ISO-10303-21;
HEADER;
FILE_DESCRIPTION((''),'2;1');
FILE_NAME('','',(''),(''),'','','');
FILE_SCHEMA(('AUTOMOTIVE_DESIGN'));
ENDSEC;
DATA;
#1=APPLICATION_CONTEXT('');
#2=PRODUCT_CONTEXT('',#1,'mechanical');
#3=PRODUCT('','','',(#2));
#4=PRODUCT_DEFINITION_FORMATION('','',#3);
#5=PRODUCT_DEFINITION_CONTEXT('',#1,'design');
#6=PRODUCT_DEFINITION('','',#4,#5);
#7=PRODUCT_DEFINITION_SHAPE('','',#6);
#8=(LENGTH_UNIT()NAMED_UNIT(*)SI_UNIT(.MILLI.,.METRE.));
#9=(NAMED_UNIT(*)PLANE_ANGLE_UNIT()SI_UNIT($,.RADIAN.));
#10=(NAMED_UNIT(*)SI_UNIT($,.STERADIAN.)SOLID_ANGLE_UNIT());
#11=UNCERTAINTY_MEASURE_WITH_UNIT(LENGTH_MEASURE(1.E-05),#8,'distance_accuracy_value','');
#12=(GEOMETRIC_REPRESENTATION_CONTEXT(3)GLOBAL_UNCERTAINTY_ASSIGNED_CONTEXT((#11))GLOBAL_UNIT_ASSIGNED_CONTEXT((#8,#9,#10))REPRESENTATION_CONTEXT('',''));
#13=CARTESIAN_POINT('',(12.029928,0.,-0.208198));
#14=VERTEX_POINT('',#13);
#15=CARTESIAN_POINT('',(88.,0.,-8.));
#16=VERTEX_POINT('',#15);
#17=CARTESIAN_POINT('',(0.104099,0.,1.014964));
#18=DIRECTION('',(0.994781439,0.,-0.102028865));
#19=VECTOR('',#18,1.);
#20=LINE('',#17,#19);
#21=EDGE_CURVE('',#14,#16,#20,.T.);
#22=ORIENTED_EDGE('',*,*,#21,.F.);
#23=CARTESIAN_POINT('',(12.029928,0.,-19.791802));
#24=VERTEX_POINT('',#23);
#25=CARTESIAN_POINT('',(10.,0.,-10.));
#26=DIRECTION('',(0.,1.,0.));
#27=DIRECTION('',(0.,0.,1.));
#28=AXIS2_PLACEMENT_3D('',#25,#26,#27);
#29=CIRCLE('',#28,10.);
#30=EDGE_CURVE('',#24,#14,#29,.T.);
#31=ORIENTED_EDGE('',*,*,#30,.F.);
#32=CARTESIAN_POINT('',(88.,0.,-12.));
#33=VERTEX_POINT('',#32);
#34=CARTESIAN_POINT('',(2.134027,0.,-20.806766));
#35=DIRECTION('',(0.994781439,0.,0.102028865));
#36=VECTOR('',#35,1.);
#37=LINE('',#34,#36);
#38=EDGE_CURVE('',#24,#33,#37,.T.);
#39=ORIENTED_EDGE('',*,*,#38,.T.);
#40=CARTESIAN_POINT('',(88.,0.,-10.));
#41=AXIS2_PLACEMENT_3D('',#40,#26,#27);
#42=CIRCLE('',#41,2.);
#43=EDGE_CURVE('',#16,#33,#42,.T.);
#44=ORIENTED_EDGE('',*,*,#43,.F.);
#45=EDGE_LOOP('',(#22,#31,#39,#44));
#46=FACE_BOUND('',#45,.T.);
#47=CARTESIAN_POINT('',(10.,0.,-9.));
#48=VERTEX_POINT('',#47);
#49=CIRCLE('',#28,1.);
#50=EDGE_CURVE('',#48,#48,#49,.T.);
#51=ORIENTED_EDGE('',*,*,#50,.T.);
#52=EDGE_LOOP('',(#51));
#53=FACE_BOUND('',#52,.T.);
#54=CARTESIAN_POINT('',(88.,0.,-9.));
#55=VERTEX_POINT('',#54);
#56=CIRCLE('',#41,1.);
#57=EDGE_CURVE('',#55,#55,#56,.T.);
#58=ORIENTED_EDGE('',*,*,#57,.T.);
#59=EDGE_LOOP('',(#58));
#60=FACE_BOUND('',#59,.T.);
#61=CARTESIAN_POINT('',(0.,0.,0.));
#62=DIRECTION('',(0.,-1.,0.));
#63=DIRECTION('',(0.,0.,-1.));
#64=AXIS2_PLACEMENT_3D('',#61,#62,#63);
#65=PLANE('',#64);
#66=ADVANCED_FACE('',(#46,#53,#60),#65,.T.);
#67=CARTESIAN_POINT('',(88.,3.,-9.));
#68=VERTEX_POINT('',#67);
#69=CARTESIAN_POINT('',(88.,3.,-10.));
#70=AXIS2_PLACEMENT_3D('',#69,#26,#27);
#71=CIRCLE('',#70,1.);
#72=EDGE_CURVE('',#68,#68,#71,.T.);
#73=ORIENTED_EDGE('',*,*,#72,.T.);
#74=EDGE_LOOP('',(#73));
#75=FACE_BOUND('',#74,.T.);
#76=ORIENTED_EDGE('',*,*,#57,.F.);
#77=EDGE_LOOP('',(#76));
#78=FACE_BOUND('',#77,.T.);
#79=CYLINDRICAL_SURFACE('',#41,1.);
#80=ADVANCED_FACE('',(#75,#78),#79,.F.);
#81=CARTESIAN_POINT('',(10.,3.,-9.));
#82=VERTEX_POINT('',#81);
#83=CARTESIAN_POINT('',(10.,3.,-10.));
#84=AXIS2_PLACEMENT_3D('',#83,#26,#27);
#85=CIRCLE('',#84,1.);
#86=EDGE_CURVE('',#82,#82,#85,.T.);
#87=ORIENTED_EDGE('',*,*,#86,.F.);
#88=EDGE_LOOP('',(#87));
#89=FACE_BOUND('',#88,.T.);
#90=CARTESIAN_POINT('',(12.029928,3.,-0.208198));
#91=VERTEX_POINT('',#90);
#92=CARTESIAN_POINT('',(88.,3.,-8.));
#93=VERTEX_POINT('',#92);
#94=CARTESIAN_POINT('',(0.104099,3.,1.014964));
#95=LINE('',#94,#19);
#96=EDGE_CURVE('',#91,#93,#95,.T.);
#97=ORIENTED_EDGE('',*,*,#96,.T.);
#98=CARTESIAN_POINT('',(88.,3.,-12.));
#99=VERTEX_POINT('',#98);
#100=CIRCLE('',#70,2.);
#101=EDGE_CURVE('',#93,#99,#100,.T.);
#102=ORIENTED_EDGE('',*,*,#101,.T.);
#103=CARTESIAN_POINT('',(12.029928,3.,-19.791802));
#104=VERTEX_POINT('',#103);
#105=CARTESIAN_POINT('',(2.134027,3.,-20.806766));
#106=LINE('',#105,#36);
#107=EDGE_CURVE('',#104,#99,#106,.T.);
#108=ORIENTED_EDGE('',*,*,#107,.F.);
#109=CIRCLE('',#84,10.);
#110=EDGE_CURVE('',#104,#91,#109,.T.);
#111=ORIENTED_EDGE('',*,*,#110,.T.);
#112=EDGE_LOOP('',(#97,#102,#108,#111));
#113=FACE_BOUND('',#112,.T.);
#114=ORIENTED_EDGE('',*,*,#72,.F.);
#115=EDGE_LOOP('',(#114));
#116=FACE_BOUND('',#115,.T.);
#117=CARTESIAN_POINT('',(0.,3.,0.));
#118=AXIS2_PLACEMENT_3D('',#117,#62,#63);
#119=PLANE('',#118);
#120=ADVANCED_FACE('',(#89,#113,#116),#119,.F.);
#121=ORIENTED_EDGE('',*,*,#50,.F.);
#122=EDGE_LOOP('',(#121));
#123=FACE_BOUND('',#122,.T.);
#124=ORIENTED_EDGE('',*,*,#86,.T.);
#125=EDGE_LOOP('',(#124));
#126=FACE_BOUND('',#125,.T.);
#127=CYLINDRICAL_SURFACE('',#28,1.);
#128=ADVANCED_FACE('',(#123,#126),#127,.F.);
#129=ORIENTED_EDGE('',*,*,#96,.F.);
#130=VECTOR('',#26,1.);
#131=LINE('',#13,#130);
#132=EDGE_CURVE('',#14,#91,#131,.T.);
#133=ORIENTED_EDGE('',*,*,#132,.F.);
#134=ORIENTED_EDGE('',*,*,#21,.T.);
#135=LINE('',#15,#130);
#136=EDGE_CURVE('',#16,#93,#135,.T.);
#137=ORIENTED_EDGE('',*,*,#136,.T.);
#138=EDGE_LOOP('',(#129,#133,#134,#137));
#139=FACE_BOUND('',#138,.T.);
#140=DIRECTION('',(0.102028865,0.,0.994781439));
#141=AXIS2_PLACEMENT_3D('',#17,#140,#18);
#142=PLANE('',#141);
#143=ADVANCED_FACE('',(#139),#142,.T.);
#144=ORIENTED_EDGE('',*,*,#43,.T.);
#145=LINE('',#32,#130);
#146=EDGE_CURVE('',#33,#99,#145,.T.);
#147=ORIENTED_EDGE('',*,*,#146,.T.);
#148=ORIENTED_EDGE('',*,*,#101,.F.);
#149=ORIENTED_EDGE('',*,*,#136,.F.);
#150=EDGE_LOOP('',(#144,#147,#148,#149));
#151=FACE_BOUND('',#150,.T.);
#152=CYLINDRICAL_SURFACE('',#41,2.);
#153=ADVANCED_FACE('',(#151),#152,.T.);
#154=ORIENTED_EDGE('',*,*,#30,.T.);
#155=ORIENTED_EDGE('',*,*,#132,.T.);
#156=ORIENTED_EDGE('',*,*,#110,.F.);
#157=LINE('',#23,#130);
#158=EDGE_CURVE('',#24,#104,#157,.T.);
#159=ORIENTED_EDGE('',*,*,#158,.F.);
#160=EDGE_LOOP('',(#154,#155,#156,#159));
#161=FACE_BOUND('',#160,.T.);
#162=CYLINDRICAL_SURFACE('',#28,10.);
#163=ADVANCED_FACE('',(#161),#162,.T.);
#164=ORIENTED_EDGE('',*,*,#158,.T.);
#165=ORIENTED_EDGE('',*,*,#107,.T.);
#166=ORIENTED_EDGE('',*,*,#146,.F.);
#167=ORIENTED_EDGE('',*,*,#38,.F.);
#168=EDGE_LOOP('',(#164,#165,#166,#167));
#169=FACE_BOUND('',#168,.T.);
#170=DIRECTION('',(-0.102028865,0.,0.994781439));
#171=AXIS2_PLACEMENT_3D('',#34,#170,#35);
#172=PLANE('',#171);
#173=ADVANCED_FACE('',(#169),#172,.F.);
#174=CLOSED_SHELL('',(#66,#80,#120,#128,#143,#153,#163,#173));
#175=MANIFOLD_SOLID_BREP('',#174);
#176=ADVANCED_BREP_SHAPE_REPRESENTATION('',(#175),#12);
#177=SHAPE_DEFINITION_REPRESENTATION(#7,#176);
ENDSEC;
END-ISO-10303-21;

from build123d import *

# Parameters (mm, degrees)
SKETCH1_W           = 90
SKETCH1_H           = 20
BOSS_EXTRUDE1_DEPTH = 3
CUT_EXTRUDE1_DEPTH  = 4
SKETCH3_R           = 1
CUT_EXTRUDE2_DEPTH  = 4


with BuildPart() as part:
    # Sketch1 → Boss-Extrude1 (new body)
    with BuildSketch(Plane(origin=(0, 0, 0), x_dir=(1, 0, 0), z_dir=(0, 1, 0))):
        with Locations((45, 10)):
            Rectangle(SKETCH1_W, SKETCH1_H)
    extrude(amount=BOSS_EXTRUDE1_DEPTH)

    # Sketch2 → Cut-Extrude1 (cut, through all)
    with BuildSketch(Plane(origin=(0, 3, 0), x_dir=(1, 0, 0), z_dir=(0, 1, 0))):
        with BuildLine():
            Line((90, 20), (10, 20))
            ThreePointArc((10, 20), (11.020288655, 19.947814386), (12.029928432, 19.791802212))
            Line((12.029928432, 19.791802212), (88, 12))
            ThreePointArc((88, 12), (89.414213562, 11.414213562), (90, 10))
            Line((90, 10), (90, 20))
        make_face()
        with BuildLine():
            Line((90, 0), (90, 10))
            ThreePointArc((90, 10), (89.414213562, 8.585786438), (88, 8))
            Line((88, 8), (12.029928432, 0.208197788))
            ThreePointArc((12.029928432, 0.208197788), (11.020288655, 0.052185614), (10, 0))
            Line((10, 0), (90, 0))
        make_face()
        with BuildLine():
            ThreePointArc((10, 0), (2.928932188, 2.928932188), (0, 10))
            Line((0, 10), (0, 0))
            Line((0, 0), (10, 0))
        make_face()
        with BuildLine():
            ThreePointArc((0, 10), (2.928932188, 17.071067812), (10, 20))
            Line((10, 20), (0, 20))
            Line((0, 20), (0, 10))
        make_face()
    extrude(amount=-CUT_EXTRUDE1_DEPTH, mode=Mode.SUBTRACT)

    # Sketch3 → Cut-Extrude2 (cut, through all)
    with BuildSketch(Plane(origin=(0, 3, 0), x_dir=(1, 0, 0), z_dir=(0, 1, 0))):
        with Locations((10, 10)):
            Circle(SKETCH3_R)
        with Locations((88, 10)):
            Circle(SKETCH3_R)
    extrude(amount=-CUT_EXTRUDE2_DEPTH, mode=Mode.SUBTRACT)


solid = part.part
